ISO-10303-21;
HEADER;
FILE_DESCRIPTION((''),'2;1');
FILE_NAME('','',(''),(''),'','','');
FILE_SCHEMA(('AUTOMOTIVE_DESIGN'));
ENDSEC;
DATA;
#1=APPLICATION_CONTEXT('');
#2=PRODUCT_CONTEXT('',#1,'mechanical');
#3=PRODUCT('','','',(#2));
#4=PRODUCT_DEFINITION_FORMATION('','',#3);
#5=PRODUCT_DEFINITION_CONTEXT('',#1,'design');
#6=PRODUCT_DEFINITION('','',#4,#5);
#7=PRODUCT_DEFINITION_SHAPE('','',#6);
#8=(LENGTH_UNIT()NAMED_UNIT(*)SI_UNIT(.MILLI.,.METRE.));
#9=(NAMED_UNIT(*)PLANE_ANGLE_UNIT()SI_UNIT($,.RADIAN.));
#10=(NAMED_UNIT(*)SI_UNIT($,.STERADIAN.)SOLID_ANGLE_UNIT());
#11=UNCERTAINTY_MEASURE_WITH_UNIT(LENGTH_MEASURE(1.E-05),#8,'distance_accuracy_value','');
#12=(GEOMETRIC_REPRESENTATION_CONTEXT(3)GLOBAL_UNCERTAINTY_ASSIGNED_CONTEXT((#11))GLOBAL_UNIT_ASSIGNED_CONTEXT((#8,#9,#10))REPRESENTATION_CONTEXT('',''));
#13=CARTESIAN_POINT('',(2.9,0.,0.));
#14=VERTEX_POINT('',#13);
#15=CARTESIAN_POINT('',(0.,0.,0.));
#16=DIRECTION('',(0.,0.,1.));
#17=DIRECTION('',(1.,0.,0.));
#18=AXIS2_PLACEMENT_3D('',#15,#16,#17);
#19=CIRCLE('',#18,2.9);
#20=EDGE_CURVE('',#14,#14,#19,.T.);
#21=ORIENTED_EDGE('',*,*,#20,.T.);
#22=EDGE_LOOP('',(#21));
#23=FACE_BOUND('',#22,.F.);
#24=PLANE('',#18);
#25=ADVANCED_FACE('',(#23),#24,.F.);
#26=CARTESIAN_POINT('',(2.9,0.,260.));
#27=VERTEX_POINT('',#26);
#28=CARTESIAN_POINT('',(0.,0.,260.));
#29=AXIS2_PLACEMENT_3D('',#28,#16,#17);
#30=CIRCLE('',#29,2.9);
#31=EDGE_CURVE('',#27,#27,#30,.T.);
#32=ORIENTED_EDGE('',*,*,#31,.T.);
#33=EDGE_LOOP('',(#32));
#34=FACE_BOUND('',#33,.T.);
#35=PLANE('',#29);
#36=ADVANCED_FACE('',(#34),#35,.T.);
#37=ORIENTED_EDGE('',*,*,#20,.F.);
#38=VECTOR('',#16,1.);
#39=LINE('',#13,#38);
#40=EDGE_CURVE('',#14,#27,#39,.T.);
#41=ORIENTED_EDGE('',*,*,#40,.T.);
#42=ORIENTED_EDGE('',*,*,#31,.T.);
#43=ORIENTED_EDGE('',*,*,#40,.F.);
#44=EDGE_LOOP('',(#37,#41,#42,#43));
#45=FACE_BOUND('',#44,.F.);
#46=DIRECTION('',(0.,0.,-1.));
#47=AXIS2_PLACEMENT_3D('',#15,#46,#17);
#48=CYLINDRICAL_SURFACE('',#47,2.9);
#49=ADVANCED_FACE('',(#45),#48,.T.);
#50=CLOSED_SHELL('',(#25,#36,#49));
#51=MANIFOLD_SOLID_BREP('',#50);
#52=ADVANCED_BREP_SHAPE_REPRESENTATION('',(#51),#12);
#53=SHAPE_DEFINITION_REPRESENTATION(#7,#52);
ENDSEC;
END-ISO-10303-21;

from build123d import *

# Parameters (mm, degrees)
CYLINDER_R     = 2.9
CYLINDER_DEPTH = 260


with BuildPart() as part:
    # Cylinder → Cylinder (new body)
    with BuildSketch(Plane.XY):
        Circle(CYLINDER_R)
    extrude(amount=CYLINDER_DEPTH)


solid = part.part
